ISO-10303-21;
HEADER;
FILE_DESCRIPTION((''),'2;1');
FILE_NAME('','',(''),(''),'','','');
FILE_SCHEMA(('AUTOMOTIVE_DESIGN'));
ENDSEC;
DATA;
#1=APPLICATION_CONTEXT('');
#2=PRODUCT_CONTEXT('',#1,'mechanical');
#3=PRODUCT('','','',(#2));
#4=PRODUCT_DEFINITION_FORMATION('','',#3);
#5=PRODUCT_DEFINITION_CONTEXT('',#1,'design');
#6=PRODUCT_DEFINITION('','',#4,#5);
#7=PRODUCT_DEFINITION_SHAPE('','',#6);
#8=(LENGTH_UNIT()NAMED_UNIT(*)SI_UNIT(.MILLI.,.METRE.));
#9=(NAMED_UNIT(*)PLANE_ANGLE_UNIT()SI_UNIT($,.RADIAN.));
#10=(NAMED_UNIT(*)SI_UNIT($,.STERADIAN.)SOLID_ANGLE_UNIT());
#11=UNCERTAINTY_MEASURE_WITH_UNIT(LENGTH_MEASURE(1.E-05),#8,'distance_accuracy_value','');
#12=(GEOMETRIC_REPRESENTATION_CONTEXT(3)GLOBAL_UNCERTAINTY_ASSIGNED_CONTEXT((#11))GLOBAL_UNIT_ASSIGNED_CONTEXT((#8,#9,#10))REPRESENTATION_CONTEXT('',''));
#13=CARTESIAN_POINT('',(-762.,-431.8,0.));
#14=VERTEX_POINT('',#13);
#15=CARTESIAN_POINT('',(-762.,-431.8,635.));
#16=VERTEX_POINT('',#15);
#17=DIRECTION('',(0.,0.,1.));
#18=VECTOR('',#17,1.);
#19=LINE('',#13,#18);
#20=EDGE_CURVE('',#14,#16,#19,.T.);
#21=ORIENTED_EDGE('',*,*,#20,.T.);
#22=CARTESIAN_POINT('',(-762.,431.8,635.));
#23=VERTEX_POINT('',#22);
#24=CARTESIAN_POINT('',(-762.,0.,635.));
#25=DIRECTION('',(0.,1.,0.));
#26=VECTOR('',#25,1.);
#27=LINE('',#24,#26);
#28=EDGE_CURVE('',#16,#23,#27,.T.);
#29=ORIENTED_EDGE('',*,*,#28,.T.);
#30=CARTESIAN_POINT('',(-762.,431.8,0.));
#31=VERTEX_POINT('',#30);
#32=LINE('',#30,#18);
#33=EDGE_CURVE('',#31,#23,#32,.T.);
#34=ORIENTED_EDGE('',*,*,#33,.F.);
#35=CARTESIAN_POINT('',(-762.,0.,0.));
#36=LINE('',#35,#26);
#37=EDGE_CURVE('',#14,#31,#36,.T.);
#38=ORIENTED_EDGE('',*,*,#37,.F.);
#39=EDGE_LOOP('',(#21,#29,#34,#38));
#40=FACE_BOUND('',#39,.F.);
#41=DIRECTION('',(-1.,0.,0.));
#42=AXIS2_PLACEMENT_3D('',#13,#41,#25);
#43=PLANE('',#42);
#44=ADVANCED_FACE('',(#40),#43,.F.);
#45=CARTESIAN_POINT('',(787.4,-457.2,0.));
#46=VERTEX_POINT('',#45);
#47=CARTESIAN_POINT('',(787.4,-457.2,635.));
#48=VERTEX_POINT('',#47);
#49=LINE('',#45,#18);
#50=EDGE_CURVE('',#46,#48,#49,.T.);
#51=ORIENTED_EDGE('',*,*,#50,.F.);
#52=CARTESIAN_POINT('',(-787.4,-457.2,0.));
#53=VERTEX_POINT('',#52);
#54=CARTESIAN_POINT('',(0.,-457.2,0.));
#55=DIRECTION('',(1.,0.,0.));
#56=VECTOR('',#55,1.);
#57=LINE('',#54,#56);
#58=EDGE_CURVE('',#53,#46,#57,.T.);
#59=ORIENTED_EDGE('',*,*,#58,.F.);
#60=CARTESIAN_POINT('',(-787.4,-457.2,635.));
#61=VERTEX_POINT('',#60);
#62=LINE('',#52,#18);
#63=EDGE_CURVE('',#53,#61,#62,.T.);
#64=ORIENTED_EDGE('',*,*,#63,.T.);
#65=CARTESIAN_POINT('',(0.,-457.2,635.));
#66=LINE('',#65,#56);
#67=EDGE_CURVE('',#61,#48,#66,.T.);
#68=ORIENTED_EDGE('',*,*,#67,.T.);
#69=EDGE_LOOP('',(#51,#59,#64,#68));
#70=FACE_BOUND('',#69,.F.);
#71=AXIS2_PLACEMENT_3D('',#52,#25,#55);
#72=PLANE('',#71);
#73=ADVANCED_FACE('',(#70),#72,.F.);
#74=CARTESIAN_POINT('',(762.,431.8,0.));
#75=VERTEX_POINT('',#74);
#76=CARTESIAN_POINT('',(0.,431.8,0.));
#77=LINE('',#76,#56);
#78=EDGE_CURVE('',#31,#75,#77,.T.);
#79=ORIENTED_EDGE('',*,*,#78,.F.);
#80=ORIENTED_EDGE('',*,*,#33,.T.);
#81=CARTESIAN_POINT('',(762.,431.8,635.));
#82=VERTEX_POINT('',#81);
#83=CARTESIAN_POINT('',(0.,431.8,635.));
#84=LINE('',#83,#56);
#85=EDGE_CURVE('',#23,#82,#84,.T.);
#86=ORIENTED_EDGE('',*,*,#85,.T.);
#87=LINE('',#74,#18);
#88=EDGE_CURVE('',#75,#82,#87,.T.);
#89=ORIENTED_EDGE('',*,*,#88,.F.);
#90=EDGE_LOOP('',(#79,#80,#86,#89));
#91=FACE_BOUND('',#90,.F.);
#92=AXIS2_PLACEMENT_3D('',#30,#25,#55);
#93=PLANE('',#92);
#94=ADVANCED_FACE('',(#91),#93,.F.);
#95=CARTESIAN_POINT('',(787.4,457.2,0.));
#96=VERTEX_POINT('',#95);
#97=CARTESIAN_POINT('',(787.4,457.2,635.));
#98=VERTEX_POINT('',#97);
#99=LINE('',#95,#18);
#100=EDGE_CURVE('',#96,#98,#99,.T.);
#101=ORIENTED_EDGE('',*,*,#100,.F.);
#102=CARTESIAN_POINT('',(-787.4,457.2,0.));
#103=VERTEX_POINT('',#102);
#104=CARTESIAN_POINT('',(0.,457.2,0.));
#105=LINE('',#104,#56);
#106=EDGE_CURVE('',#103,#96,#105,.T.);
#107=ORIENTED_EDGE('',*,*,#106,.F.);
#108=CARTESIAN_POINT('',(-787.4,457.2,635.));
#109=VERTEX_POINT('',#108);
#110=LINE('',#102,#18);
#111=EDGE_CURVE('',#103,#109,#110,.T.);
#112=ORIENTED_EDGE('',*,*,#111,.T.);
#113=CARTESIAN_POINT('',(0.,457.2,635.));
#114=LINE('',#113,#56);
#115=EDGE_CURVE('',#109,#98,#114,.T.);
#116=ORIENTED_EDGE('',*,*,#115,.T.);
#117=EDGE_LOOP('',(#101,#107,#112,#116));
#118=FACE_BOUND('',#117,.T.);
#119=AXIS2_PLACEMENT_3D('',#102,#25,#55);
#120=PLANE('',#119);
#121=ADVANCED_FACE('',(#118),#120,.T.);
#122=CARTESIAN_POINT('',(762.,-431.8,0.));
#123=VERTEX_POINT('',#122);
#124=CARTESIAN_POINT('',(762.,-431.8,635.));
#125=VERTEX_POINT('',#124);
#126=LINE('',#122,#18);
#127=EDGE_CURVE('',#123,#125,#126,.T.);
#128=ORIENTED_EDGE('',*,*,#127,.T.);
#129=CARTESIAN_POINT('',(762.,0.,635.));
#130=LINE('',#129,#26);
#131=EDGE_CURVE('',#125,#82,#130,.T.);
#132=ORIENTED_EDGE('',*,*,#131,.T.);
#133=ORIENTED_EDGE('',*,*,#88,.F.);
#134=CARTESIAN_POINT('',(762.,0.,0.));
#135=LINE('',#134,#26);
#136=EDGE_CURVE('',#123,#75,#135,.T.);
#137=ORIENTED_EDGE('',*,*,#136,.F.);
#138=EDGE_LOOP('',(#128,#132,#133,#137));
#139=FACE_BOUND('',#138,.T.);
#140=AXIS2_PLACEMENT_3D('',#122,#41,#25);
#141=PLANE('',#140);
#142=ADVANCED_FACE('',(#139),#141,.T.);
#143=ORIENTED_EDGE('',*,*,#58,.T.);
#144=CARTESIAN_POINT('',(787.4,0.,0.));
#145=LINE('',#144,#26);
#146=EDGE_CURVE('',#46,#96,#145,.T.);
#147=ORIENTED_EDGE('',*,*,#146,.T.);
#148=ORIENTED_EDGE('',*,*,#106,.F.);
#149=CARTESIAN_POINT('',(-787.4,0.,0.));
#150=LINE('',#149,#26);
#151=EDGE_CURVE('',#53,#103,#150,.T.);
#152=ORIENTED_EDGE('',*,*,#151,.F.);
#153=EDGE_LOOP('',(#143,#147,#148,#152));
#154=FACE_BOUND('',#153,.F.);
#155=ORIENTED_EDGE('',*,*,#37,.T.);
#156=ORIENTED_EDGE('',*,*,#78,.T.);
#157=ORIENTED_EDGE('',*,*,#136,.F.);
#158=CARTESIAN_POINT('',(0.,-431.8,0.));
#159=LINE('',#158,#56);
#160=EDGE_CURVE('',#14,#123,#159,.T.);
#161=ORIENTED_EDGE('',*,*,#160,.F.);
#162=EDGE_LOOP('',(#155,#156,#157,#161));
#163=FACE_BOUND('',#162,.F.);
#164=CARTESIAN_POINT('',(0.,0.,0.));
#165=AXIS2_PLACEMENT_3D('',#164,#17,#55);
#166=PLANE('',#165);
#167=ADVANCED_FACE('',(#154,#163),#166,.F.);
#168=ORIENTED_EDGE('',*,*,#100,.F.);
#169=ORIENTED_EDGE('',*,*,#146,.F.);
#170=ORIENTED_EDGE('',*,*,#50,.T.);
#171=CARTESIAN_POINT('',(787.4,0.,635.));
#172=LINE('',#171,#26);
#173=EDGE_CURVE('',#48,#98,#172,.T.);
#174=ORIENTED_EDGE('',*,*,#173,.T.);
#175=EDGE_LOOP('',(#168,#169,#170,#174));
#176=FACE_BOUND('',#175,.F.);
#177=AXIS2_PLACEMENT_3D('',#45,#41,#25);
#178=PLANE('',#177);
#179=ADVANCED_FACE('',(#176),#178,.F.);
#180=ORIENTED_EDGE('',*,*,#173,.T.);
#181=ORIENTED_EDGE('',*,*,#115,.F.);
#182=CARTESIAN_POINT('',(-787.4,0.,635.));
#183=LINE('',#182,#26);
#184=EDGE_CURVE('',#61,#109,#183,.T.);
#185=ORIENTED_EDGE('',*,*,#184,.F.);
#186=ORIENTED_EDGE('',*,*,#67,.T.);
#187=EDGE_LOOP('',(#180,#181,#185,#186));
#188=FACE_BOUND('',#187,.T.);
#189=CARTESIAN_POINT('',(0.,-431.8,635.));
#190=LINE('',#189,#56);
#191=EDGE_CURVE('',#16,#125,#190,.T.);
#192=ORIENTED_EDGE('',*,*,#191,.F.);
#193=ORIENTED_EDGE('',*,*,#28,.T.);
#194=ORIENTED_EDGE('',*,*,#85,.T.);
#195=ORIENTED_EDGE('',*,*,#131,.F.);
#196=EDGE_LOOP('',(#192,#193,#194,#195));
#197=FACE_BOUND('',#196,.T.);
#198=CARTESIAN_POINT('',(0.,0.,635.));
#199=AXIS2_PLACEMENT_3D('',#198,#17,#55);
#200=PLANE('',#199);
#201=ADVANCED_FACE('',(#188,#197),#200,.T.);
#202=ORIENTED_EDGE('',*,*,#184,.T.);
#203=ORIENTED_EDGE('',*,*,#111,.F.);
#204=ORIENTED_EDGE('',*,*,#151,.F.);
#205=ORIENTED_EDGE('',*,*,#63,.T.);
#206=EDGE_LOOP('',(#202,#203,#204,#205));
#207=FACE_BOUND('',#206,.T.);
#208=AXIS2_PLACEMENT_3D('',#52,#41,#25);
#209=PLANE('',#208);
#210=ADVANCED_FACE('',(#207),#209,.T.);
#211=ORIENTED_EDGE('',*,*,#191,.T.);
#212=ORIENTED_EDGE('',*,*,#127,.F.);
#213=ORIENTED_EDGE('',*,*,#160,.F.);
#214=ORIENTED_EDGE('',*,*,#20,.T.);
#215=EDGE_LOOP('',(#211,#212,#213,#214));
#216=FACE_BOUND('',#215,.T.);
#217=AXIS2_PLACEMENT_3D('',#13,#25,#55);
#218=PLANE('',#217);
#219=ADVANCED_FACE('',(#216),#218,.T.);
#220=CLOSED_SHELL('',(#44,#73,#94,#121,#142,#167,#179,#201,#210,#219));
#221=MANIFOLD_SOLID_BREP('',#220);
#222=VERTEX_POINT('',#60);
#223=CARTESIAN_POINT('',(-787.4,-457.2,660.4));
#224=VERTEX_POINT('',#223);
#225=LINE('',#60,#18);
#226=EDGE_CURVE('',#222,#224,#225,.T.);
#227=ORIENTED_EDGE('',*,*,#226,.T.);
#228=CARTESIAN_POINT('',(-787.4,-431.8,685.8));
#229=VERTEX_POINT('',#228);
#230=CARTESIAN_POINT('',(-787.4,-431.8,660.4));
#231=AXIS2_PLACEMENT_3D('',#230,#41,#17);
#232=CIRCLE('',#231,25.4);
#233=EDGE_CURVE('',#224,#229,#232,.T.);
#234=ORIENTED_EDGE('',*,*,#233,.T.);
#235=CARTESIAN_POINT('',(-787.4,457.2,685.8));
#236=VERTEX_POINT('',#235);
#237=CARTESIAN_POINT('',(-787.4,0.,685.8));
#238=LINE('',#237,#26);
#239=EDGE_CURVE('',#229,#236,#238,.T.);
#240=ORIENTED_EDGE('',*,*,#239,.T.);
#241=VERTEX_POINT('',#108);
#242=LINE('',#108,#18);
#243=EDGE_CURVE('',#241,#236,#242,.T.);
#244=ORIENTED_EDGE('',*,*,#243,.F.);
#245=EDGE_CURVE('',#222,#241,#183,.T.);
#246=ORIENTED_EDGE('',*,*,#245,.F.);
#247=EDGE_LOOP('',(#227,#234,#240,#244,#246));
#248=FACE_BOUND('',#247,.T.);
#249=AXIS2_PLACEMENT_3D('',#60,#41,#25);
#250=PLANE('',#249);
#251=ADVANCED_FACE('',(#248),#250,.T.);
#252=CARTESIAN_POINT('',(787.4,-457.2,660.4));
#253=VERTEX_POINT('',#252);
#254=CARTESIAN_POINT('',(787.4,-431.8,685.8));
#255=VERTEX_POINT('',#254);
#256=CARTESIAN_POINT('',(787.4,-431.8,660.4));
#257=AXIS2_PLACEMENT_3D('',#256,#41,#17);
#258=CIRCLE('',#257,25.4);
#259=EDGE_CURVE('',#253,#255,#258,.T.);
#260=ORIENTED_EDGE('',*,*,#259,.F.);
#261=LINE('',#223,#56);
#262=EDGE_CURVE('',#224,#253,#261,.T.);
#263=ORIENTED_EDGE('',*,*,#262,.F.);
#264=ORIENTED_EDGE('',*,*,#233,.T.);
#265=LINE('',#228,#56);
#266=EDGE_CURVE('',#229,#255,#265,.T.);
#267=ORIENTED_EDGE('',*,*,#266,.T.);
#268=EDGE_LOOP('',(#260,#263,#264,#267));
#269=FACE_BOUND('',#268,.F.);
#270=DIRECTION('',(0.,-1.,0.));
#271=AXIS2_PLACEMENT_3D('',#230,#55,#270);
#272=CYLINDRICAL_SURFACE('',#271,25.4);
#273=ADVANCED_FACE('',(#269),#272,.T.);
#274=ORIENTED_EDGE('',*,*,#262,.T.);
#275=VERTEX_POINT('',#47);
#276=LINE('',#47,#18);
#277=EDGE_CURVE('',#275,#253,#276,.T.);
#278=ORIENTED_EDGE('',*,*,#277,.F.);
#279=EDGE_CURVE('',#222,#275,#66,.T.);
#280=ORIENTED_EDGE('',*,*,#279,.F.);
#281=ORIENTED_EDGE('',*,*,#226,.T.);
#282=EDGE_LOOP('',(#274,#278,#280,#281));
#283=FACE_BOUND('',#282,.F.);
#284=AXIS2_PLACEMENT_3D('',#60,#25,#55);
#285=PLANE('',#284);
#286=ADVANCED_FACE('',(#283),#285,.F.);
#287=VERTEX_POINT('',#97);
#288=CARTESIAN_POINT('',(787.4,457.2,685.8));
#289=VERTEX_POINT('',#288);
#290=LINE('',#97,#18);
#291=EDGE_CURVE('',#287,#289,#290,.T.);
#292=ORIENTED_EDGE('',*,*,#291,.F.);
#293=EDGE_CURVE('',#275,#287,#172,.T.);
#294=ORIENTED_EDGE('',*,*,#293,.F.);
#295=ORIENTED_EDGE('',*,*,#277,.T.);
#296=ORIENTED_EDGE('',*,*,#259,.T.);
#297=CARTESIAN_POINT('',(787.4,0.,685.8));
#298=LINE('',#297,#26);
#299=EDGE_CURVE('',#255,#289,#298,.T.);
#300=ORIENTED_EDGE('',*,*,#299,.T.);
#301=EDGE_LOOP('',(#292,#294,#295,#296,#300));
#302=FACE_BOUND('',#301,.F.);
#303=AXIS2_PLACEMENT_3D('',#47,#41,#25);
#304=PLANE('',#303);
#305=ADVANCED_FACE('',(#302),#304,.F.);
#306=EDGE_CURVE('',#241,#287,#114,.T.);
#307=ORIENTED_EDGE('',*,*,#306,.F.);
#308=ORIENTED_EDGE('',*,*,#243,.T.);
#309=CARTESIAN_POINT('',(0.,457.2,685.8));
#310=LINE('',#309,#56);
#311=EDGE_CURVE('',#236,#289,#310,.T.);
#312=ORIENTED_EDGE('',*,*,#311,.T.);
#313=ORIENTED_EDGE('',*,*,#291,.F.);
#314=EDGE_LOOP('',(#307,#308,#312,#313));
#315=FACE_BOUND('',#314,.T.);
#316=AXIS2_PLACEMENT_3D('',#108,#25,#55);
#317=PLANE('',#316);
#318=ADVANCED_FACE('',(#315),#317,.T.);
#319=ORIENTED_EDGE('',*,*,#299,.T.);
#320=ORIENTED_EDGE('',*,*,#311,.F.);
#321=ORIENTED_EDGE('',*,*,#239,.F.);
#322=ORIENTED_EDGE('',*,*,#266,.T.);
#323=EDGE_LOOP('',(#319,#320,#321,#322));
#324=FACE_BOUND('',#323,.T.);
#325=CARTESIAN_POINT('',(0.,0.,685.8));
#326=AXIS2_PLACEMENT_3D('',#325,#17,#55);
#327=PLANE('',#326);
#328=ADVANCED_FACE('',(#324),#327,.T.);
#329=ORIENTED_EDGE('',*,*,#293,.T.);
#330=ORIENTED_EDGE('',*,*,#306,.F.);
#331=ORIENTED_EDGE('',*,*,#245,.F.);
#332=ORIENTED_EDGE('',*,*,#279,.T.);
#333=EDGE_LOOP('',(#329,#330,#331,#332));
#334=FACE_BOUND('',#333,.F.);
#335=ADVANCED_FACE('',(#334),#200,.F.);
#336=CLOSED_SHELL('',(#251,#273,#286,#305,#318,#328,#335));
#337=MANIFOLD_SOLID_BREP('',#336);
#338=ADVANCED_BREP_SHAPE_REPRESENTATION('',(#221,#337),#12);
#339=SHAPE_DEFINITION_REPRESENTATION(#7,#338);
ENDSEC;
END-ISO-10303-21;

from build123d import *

# Parameters (mm, degrees)
F0_W     = 1574.8
F0_H     = 914.4
F0_W_2   = 1524
F0_H_2   = 863.6
F1_DEPTH = 635
F2_W     = 1574.8
F2_H     = 914.4
F3_DEPTH = 50.8
F4_R     = 25.4


with BuildPart() as f1:
    # F0 (on Top) → F1 (new body)
    with BuildSketch(Plane.XY):
        Rectangle(F0_W, F0_H)
        Rectangle(F0_W_2, F0_H_2, mode=Mode.SUBTRACT)
    extrude(amount=F1_DEPTH)


with BuildPart() as f3:
    # F2 (on face) → F3 (new body)
    with BuildSketch(Plane.XY.offset(635)):
        Rectangle(F2_W, F2_H)
    extrude(amount=F3_DEPTH)

    # F4
    f4_edges = [f3.edges().sort_by_distance(p)[0] for p in [
        (0, -457.2, 685.8),
    ]]
    fillet(f4_edges, radius=F4_R)


solid = Compound([f1.part, f3.part])
